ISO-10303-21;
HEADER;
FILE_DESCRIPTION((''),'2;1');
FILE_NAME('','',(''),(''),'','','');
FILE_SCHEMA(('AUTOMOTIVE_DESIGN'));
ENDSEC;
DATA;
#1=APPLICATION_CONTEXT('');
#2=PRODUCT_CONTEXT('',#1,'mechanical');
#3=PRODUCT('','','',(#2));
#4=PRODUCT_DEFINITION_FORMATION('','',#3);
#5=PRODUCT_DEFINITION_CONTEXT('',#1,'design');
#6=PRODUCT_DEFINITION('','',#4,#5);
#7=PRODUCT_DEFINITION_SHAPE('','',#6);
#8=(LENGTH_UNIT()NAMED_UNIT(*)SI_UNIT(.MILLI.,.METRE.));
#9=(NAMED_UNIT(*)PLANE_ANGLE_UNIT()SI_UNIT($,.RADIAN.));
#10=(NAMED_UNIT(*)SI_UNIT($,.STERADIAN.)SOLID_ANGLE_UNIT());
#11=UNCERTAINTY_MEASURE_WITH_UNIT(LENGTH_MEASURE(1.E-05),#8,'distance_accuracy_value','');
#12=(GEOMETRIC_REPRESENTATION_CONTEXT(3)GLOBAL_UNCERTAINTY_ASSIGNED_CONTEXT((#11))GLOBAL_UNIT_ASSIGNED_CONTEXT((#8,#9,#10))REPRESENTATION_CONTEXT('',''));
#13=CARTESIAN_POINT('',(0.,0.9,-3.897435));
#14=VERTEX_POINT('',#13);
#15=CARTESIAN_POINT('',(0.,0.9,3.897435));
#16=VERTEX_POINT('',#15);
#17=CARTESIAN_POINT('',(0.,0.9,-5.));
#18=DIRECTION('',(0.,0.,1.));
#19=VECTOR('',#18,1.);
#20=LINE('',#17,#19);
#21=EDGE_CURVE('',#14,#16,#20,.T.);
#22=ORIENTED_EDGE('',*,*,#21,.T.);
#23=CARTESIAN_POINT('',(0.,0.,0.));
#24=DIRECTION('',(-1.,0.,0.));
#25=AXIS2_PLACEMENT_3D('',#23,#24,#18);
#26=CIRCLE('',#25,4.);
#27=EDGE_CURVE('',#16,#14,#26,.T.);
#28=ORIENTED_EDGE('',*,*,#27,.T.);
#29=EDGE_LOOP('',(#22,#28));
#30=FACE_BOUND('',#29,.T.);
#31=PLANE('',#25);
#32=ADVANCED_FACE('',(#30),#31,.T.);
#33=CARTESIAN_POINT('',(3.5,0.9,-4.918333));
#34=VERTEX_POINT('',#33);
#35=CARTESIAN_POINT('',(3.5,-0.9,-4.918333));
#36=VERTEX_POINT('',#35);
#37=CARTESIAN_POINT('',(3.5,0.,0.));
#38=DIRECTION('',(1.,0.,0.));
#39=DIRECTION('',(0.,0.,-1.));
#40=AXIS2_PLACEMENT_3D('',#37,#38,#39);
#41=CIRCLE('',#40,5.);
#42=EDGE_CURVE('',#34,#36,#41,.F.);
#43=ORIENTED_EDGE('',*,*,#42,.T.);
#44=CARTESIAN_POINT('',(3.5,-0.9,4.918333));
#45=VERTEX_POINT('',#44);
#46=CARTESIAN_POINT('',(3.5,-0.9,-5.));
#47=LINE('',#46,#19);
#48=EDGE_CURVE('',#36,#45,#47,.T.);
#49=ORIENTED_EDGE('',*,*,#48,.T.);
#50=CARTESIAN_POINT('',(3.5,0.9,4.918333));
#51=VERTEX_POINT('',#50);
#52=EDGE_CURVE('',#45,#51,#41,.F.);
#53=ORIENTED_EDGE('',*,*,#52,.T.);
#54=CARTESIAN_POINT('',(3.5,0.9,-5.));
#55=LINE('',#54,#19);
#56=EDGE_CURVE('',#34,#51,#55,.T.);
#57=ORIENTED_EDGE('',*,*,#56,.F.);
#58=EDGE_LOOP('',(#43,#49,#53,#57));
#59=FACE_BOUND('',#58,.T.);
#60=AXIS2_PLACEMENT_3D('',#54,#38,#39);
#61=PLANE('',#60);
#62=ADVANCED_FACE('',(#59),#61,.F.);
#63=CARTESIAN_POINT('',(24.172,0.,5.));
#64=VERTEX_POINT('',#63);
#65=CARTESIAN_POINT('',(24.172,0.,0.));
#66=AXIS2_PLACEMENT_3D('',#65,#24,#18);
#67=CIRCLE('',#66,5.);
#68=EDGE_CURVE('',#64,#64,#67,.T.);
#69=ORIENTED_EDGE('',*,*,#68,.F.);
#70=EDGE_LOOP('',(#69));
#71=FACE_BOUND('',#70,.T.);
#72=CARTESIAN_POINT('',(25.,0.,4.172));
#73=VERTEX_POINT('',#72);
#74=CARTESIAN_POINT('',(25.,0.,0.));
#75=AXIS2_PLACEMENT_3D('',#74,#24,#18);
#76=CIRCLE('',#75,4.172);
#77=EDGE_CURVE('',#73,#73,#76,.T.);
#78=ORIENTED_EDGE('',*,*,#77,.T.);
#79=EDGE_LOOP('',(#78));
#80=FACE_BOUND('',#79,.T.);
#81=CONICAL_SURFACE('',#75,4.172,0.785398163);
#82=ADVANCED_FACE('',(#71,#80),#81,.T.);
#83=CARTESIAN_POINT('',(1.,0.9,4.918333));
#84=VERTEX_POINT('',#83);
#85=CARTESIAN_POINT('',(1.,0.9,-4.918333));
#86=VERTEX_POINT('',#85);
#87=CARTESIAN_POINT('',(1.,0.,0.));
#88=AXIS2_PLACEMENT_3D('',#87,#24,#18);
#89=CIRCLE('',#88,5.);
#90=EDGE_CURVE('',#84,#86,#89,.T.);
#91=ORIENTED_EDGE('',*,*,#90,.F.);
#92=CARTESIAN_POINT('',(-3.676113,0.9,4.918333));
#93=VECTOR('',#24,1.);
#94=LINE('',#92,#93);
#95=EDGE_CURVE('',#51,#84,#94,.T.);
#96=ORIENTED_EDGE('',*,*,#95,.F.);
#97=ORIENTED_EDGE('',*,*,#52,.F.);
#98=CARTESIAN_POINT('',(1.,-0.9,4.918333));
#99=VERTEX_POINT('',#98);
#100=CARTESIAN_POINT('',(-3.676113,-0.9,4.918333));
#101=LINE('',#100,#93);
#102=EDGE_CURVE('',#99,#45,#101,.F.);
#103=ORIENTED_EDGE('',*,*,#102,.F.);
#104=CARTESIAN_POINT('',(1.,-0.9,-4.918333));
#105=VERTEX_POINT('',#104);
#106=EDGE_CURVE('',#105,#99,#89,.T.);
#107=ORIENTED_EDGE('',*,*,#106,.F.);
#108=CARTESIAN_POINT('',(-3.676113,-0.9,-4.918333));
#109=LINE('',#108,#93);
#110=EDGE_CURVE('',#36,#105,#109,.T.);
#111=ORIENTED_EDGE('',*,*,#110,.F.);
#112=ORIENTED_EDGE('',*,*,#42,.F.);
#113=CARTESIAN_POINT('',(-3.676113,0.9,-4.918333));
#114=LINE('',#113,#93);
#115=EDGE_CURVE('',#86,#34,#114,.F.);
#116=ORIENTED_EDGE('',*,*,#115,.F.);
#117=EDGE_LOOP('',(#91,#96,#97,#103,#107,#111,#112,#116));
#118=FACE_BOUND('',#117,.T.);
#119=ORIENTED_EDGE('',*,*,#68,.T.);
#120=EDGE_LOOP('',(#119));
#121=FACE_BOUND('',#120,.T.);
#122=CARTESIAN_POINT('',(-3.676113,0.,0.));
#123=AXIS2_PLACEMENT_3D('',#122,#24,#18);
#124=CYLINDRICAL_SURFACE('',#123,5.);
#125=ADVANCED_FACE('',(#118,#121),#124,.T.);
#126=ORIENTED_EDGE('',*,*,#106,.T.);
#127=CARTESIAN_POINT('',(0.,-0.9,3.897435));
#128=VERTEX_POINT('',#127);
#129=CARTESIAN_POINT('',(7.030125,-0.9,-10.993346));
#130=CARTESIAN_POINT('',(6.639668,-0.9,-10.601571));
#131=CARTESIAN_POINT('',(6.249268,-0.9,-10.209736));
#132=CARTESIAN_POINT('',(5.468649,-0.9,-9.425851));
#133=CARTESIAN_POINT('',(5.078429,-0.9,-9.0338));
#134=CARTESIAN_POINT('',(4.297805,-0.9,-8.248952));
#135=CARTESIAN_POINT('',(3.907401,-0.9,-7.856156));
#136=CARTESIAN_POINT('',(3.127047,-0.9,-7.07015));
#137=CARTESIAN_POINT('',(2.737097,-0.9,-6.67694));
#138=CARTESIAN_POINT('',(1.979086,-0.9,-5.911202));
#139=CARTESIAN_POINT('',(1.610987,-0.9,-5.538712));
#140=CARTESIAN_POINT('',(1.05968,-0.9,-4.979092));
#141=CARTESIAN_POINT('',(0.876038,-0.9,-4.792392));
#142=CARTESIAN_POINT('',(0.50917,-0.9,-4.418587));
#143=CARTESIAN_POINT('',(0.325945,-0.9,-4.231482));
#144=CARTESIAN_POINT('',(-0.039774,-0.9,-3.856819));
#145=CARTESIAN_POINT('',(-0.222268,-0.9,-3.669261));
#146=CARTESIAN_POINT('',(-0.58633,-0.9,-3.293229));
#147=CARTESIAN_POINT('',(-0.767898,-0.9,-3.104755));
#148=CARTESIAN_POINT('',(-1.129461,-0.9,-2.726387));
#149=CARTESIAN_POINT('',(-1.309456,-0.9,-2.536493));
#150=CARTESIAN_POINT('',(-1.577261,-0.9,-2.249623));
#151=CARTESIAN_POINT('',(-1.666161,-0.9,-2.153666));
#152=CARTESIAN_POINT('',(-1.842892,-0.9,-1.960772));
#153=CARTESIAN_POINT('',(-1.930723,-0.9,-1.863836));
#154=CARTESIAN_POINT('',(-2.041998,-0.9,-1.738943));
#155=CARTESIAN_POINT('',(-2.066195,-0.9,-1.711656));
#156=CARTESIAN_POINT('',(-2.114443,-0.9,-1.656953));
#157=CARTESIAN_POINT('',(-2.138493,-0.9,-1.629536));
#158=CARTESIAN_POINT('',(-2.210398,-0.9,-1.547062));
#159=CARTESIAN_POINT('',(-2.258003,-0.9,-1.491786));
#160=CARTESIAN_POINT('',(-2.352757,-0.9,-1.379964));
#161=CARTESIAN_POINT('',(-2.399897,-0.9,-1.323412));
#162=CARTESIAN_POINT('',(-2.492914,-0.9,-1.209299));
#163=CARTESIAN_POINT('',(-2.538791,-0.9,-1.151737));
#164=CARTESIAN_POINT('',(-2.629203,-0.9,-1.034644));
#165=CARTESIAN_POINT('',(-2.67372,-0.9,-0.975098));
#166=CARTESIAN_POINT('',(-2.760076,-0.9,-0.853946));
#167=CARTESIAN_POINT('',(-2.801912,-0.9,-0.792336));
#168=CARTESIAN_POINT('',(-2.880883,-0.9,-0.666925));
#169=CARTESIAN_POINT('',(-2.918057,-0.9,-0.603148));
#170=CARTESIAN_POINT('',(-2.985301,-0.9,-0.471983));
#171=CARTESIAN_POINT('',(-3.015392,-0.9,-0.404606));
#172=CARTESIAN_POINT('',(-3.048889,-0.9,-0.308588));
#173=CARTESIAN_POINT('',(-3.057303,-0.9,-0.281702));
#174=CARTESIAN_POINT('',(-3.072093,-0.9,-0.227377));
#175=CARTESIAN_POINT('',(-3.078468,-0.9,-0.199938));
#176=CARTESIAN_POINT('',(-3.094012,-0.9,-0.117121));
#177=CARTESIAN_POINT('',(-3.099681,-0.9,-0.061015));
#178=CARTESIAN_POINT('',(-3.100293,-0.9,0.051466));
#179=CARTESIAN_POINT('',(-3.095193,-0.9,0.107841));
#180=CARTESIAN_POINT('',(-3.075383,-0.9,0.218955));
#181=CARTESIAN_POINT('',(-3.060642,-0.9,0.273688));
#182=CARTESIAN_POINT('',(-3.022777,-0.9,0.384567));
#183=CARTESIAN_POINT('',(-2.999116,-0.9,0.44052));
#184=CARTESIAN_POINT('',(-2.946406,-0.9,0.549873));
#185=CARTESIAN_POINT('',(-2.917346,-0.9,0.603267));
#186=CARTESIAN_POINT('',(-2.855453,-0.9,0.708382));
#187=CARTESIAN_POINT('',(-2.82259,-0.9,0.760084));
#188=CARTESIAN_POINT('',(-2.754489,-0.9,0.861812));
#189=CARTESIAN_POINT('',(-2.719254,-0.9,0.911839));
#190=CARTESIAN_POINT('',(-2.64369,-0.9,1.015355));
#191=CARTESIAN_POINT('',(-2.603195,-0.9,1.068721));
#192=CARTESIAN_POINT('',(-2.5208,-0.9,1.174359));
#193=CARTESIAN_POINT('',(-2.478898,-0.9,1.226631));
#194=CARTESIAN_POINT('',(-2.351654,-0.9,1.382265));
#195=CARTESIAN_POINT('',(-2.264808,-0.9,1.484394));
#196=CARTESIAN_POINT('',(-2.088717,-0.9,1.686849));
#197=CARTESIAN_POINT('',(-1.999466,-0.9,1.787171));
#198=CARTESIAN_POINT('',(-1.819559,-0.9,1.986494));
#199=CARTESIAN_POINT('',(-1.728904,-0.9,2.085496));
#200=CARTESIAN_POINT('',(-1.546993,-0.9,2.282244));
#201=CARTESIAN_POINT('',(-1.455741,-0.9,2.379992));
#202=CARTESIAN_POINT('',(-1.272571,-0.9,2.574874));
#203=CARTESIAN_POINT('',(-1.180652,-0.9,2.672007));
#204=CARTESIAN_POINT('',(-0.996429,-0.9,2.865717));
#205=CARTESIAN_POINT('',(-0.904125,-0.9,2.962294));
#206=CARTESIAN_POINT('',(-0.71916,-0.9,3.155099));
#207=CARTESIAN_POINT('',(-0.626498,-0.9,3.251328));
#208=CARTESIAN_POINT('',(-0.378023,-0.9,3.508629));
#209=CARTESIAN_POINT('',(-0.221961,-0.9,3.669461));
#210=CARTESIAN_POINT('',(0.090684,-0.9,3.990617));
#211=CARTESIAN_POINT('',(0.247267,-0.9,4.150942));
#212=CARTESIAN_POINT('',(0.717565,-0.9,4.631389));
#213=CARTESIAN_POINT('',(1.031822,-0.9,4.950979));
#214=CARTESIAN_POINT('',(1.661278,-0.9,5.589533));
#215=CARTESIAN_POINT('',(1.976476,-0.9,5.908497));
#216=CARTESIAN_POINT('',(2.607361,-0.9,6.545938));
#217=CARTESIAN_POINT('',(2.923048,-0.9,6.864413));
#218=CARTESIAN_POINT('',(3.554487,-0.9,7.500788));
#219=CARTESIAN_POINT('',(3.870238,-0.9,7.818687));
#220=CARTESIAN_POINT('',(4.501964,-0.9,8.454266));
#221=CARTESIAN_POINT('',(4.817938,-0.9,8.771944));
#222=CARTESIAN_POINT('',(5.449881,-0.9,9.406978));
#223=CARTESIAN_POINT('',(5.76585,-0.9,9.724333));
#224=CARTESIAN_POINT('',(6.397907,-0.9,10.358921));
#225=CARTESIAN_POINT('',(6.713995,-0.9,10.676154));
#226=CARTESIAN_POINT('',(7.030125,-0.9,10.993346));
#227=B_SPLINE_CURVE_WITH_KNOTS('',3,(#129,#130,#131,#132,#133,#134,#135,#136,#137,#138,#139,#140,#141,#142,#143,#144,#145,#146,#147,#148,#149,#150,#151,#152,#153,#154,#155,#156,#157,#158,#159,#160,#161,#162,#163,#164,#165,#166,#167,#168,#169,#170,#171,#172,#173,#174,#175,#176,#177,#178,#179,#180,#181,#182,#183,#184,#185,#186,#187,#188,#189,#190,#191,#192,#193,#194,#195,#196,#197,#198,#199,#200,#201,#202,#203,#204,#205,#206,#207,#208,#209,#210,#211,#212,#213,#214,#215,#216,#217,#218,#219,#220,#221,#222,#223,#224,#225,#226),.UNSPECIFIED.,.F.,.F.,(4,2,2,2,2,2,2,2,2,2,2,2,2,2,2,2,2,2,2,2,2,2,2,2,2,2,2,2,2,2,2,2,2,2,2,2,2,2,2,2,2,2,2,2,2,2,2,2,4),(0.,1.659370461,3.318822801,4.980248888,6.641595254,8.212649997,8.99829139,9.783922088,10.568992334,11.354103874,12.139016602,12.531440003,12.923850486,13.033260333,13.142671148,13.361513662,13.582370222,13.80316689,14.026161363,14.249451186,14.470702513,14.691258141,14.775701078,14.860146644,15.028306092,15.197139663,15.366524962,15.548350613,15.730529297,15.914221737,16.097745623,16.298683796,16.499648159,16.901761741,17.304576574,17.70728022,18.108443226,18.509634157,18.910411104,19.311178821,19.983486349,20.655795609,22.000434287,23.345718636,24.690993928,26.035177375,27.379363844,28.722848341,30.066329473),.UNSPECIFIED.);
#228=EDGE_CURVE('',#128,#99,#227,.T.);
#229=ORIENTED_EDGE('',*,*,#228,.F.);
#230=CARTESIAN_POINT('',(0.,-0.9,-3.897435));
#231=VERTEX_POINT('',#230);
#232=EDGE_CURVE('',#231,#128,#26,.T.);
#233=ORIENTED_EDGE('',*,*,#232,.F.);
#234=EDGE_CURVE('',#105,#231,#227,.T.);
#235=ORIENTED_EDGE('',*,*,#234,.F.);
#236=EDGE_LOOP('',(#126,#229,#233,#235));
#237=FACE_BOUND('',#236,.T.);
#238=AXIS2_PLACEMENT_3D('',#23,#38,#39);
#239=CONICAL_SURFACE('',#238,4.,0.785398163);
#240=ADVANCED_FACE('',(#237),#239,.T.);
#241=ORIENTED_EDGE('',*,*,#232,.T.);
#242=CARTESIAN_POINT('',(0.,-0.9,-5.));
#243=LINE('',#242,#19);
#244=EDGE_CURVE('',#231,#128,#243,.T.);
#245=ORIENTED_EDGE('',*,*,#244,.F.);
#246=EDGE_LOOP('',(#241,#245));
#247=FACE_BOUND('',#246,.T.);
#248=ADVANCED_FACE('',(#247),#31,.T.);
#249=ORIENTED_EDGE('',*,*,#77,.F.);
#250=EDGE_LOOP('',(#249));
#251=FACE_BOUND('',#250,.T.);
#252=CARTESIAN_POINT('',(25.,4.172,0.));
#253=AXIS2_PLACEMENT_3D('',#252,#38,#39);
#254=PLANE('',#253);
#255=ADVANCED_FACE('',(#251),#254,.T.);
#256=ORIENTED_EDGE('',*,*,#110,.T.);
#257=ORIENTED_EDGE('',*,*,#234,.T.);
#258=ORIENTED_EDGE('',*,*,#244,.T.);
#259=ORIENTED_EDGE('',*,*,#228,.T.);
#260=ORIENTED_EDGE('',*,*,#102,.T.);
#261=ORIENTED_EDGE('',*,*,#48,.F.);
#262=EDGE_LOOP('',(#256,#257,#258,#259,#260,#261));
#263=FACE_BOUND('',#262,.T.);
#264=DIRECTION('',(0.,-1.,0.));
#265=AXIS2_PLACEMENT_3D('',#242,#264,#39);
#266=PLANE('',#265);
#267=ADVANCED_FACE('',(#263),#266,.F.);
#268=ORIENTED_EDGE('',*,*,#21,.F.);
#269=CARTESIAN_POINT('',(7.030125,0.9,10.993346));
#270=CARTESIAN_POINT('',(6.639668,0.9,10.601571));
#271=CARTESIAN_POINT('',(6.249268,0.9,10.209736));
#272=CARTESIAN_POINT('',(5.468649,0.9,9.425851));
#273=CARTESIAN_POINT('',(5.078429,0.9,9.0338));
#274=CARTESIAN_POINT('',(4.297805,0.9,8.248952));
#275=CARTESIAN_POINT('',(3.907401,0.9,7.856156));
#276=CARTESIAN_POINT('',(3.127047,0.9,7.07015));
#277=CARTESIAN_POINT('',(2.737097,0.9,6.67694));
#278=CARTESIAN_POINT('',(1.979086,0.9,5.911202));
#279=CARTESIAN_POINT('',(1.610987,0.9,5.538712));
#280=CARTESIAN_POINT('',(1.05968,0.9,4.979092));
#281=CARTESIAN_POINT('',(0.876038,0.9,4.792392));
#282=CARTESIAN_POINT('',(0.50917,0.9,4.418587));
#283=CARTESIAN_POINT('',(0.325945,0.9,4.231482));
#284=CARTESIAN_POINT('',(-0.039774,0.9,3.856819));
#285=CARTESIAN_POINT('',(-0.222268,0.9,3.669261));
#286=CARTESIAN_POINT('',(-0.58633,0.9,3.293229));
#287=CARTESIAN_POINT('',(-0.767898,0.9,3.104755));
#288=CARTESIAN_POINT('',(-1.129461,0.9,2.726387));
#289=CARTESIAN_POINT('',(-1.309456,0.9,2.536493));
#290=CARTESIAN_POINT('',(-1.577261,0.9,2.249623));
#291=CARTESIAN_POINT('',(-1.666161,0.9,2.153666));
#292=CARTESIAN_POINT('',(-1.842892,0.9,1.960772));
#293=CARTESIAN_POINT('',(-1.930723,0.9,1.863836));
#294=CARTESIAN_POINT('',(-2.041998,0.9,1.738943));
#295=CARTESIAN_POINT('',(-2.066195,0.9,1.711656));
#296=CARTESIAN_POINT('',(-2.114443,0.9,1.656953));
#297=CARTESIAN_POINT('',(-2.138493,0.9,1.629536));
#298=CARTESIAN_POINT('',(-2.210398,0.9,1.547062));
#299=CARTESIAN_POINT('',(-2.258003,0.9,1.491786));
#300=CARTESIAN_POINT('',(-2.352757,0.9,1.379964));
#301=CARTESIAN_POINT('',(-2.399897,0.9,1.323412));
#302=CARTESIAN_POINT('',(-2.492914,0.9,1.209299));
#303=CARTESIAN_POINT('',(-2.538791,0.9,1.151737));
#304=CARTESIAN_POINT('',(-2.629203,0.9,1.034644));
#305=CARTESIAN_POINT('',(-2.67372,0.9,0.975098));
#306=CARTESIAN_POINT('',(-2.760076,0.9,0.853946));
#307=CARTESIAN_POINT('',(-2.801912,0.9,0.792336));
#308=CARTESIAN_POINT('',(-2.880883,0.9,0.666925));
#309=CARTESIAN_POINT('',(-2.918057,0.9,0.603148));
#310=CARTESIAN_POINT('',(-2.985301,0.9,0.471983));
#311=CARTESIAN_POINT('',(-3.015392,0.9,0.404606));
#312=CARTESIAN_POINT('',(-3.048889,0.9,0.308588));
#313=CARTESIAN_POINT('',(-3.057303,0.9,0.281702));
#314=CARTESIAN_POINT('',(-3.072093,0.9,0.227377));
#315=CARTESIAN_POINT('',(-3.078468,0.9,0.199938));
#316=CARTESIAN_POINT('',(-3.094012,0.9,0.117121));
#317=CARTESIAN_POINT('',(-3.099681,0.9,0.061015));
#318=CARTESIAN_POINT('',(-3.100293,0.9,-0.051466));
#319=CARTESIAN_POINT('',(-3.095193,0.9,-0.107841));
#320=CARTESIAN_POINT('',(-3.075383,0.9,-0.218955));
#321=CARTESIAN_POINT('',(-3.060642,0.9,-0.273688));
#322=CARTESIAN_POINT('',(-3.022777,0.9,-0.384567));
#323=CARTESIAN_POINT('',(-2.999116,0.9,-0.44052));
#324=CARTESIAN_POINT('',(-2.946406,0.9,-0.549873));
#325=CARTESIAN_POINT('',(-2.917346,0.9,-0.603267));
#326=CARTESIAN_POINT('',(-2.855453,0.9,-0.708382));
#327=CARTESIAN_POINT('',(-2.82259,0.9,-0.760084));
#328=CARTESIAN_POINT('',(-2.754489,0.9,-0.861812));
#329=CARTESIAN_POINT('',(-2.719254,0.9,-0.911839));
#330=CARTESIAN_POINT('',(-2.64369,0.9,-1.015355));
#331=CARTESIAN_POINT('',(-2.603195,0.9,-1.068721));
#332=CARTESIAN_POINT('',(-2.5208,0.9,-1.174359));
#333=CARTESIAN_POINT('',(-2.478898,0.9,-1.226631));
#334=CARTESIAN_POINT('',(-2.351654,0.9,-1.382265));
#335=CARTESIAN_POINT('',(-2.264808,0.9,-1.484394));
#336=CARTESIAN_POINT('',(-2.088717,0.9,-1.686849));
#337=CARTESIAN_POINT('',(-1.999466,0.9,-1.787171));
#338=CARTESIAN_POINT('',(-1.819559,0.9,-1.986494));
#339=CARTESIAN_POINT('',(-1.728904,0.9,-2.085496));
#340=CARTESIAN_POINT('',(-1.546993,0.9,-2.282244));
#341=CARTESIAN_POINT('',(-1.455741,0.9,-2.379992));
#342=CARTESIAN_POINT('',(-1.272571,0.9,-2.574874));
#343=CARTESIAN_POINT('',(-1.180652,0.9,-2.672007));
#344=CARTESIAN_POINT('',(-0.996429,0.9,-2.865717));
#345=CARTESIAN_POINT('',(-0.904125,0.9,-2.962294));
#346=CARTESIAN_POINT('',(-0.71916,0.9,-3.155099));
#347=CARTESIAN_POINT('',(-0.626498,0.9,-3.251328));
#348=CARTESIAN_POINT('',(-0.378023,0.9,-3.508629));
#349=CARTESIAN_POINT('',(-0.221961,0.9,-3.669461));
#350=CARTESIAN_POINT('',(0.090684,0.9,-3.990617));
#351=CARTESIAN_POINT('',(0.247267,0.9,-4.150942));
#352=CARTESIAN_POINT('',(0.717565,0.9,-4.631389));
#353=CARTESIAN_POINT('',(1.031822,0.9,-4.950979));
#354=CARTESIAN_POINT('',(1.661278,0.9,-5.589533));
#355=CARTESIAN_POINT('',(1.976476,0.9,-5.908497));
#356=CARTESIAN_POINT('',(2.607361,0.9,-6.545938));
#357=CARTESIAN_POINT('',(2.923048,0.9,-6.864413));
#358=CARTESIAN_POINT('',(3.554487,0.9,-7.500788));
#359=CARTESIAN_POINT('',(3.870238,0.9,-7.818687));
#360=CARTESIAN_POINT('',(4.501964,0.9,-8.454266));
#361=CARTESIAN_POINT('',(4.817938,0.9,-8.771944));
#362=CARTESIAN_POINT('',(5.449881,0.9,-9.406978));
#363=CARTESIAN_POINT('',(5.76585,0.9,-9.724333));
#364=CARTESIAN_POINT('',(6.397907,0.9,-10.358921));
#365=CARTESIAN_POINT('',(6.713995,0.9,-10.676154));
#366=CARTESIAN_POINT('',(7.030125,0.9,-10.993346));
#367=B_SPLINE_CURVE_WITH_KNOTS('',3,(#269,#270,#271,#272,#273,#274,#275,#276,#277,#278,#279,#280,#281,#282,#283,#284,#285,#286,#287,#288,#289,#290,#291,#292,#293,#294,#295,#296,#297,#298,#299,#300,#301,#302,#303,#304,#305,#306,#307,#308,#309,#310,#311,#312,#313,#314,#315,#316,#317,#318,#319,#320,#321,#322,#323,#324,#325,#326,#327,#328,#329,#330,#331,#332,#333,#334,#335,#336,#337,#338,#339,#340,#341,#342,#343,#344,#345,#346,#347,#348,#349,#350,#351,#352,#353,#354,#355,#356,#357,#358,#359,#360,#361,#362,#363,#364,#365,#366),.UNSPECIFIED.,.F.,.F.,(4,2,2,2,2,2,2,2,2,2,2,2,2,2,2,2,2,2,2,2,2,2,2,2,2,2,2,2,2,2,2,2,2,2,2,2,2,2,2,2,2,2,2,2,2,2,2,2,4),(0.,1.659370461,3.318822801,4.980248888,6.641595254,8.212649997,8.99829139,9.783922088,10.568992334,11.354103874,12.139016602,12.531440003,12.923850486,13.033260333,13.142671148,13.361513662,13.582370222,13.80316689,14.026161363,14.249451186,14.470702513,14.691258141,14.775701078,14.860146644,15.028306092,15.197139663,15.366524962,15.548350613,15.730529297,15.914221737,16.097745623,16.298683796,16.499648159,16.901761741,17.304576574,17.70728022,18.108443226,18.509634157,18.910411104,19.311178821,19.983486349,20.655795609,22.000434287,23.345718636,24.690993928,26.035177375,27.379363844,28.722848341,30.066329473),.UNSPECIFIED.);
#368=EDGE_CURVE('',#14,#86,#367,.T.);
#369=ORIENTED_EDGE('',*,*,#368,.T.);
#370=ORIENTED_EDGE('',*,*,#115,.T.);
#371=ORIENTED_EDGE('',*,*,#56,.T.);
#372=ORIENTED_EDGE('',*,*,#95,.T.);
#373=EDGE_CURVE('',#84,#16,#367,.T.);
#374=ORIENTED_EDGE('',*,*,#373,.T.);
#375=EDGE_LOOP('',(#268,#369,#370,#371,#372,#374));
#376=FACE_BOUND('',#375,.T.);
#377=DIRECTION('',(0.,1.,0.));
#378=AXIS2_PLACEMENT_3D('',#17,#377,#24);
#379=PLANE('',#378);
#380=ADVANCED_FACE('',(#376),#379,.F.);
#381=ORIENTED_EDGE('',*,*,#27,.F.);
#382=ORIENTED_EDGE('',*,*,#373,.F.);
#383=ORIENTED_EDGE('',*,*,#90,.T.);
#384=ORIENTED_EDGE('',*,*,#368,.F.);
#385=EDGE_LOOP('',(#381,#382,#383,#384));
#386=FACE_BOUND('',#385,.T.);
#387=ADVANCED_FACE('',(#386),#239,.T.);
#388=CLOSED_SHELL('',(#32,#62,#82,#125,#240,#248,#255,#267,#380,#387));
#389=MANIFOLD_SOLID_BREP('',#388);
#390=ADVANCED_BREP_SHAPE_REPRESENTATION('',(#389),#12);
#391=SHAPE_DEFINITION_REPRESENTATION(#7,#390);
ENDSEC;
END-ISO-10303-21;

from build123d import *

# Parameters (mm, degrees)
SLOT_DEPTH      = 26.980762114
SLOT_DEPTH_BACK = 26.980762114
SLOTSKE_W       = 3.5
SLOTSKE_H       = 1.8


with BuildPart() as part:
    # BodySke → Base-Revolve (revolve)
    with BuildSketch(Plane.XY, mode=Mode.PRIVATE) as base_revolve_sk:
        Polygon((0, 0), (0, 4), (1, 5), (24.172, 5), (25, 4.172), (25, 0), align=None)
    revolve(base_revolve_sk.sketch.rotate(Axis((-3.67611336, 0, 0), (1, 0, 0)), 90), axis=Axis((-3.67611336, 0, 0), (1, 0, 0)))

    # SlotSke → Slot (cut, two sides: drawn at the far end of the back side and taken through both)
    with BuildSketch(Plane.XY.offset(-SLOT_DEPTH_BACK)):
        with Locations((1.75, 0)):
            Rectangle(SLOTSKE_W, SLOTSKE_H)
    extrude(amount=SLOT_DEPTH + SLOT_DEPTH_BACK, mode=Mode.SUBTRACT)


solid = part.part
